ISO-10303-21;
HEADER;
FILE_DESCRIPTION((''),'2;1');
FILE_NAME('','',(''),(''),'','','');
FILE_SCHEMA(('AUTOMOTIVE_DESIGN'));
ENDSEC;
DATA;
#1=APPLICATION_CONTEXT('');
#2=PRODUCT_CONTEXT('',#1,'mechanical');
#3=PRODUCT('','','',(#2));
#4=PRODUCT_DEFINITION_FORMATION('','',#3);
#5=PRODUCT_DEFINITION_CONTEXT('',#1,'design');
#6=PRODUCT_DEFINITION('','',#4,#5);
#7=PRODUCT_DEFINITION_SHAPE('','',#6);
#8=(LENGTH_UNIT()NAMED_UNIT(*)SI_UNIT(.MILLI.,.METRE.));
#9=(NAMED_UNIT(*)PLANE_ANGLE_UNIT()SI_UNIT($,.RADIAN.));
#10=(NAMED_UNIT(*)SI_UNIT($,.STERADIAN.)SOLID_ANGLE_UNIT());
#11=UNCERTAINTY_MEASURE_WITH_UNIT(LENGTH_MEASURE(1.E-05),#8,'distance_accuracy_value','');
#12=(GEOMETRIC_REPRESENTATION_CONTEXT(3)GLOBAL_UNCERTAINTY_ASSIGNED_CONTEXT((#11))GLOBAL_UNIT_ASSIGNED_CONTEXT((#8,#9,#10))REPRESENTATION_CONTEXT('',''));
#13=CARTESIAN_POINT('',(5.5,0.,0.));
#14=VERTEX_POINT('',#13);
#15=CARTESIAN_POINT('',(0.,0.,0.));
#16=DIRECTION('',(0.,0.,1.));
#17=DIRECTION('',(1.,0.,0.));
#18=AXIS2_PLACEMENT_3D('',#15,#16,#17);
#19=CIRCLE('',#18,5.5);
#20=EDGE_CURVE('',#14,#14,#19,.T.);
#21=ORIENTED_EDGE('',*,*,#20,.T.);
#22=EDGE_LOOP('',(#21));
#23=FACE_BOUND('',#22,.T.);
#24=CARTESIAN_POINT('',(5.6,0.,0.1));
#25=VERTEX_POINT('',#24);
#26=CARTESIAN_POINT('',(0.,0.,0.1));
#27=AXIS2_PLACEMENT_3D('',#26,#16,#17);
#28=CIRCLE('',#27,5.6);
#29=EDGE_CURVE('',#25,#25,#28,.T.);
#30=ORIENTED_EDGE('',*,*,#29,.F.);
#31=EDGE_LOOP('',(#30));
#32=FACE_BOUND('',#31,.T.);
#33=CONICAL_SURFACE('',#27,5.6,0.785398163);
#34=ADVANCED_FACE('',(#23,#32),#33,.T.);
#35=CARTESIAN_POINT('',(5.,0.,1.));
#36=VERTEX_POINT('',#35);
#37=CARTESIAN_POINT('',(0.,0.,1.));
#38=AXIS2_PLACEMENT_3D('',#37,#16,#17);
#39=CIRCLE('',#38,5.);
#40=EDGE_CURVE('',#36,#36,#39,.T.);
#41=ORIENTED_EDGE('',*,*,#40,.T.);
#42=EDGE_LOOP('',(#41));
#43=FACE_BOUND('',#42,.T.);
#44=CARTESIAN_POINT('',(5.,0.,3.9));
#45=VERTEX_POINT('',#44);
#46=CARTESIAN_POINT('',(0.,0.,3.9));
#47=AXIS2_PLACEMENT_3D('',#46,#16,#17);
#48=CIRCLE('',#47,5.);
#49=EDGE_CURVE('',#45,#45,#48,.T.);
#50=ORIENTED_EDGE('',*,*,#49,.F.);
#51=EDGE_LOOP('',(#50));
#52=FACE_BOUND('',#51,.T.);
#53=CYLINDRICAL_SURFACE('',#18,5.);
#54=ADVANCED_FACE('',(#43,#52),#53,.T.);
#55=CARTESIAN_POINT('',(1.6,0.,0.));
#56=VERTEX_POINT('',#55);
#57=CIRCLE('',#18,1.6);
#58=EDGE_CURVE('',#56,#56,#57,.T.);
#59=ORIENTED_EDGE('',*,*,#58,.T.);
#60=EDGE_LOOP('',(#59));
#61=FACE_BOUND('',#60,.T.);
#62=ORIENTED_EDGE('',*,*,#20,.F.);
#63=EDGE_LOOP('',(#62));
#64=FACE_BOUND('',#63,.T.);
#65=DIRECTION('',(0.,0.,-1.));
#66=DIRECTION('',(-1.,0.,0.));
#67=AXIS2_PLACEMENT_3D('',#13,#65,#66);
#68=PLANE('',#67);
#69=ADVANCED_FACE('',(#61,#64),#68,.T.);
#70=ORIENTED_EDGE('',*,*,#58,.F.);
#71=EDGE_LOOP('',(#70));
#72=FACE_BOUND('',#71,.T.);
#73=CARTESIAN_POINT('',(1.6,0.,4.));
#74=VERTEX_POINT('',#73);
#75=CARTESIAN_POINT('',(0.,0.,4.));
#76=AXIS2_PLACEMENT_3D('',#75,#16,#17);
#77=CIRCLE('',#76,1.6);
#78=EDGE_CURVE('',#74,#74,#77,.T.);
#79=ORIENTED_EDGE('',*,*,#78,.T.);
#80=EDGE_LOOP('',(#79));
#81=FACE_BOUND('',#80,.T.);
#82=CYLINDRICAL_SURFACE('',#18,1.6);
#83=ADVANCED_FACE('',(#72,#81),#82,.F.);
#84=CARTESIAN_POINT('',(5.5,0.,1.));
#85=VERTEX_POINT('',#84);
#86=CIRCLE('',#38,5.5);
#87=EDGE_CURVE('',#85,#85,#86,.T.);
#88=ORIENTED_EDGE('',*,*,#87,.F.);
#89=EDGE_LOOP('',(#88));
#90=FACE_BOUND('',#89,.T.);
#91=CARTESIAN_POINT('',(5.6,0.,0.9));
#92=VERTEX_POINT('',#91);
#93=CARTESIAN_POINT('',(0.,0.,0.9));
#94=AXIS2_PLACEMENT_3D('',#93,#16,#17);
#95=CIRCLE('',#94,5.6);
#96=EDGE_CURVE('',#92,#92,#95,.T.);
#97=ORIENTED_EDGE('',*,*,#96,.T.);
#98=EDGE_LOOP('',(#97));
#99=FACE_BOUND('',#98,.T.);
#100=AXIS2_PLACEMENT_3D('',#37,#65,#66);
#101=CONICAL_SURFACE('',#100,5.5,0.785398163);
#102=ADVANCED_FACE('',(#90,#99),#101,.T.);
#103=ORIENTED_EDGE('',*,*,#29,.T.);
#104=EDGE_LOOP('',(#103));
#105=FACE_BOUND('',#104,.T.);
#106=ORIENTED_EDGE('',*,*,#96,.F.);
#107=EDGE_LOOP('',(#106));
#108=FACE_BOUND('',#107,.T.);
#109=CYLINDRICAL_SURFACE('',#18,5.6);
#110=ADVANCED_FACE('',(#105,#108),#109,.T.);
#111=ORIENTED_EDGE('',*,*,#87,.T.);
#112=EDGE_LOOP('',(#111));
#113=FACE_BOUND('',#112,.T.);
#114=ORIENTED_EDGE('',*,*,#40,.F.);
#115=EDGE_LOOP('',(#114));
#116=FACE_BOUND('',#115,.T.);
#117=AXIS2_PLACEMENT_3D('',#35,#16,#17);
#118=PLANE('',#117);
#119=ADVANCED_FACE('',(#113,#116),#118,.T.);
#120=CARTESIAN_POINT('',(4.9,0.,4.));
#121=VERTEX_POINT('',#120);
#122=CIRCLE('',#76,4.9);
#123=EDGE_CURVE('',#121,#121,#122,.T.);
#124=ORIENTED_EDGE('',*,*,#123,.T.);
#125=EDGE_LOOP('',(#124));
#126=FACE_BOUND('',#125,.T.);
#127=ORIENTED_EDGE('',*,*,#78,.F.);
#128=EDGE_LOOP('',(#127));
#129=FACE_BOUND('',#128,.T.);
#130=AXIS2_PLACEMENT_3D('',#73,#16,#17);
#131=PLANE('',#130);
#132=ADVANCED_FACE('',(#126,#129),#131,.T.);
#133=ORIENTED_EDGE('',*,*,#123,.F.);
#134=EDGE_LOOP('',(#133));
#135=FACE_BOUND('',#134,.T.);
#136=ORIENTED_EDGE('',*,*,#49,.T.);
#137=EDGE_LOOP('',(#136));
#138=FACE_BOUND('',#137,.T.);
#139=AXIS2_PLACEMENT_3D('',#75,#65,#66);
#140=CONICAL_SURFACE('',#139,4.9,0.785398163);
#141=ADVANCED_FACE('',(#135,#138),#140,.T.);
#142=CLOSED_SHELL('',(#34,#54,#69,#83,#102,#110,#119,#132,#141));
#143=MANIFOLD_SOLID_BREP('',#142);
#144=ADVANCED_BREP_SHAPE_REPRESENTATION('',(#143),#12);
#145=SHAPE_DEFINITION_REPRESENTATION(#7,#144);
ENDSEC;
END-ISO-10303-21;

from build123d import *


with BuildPart() as part:
    # Croquis1 → Revolución1 (revolve)
    with BuildSketch(Plane(origin=(0, 0, 0), x_dir=(1, 0, 0), z_dir=(0, 1, 0))):
        Polygon((5, -3.9), (5, -1), (5.5, -1), (5.6, -0.9), (5.6, -0.1), (5.5, 0), (1.6, 0), (1.6, -4), (4.9, -4), align=None)
    revolve(axis=Axis((0, 0, 0), (0, 0, 1)))


solid = part.part
